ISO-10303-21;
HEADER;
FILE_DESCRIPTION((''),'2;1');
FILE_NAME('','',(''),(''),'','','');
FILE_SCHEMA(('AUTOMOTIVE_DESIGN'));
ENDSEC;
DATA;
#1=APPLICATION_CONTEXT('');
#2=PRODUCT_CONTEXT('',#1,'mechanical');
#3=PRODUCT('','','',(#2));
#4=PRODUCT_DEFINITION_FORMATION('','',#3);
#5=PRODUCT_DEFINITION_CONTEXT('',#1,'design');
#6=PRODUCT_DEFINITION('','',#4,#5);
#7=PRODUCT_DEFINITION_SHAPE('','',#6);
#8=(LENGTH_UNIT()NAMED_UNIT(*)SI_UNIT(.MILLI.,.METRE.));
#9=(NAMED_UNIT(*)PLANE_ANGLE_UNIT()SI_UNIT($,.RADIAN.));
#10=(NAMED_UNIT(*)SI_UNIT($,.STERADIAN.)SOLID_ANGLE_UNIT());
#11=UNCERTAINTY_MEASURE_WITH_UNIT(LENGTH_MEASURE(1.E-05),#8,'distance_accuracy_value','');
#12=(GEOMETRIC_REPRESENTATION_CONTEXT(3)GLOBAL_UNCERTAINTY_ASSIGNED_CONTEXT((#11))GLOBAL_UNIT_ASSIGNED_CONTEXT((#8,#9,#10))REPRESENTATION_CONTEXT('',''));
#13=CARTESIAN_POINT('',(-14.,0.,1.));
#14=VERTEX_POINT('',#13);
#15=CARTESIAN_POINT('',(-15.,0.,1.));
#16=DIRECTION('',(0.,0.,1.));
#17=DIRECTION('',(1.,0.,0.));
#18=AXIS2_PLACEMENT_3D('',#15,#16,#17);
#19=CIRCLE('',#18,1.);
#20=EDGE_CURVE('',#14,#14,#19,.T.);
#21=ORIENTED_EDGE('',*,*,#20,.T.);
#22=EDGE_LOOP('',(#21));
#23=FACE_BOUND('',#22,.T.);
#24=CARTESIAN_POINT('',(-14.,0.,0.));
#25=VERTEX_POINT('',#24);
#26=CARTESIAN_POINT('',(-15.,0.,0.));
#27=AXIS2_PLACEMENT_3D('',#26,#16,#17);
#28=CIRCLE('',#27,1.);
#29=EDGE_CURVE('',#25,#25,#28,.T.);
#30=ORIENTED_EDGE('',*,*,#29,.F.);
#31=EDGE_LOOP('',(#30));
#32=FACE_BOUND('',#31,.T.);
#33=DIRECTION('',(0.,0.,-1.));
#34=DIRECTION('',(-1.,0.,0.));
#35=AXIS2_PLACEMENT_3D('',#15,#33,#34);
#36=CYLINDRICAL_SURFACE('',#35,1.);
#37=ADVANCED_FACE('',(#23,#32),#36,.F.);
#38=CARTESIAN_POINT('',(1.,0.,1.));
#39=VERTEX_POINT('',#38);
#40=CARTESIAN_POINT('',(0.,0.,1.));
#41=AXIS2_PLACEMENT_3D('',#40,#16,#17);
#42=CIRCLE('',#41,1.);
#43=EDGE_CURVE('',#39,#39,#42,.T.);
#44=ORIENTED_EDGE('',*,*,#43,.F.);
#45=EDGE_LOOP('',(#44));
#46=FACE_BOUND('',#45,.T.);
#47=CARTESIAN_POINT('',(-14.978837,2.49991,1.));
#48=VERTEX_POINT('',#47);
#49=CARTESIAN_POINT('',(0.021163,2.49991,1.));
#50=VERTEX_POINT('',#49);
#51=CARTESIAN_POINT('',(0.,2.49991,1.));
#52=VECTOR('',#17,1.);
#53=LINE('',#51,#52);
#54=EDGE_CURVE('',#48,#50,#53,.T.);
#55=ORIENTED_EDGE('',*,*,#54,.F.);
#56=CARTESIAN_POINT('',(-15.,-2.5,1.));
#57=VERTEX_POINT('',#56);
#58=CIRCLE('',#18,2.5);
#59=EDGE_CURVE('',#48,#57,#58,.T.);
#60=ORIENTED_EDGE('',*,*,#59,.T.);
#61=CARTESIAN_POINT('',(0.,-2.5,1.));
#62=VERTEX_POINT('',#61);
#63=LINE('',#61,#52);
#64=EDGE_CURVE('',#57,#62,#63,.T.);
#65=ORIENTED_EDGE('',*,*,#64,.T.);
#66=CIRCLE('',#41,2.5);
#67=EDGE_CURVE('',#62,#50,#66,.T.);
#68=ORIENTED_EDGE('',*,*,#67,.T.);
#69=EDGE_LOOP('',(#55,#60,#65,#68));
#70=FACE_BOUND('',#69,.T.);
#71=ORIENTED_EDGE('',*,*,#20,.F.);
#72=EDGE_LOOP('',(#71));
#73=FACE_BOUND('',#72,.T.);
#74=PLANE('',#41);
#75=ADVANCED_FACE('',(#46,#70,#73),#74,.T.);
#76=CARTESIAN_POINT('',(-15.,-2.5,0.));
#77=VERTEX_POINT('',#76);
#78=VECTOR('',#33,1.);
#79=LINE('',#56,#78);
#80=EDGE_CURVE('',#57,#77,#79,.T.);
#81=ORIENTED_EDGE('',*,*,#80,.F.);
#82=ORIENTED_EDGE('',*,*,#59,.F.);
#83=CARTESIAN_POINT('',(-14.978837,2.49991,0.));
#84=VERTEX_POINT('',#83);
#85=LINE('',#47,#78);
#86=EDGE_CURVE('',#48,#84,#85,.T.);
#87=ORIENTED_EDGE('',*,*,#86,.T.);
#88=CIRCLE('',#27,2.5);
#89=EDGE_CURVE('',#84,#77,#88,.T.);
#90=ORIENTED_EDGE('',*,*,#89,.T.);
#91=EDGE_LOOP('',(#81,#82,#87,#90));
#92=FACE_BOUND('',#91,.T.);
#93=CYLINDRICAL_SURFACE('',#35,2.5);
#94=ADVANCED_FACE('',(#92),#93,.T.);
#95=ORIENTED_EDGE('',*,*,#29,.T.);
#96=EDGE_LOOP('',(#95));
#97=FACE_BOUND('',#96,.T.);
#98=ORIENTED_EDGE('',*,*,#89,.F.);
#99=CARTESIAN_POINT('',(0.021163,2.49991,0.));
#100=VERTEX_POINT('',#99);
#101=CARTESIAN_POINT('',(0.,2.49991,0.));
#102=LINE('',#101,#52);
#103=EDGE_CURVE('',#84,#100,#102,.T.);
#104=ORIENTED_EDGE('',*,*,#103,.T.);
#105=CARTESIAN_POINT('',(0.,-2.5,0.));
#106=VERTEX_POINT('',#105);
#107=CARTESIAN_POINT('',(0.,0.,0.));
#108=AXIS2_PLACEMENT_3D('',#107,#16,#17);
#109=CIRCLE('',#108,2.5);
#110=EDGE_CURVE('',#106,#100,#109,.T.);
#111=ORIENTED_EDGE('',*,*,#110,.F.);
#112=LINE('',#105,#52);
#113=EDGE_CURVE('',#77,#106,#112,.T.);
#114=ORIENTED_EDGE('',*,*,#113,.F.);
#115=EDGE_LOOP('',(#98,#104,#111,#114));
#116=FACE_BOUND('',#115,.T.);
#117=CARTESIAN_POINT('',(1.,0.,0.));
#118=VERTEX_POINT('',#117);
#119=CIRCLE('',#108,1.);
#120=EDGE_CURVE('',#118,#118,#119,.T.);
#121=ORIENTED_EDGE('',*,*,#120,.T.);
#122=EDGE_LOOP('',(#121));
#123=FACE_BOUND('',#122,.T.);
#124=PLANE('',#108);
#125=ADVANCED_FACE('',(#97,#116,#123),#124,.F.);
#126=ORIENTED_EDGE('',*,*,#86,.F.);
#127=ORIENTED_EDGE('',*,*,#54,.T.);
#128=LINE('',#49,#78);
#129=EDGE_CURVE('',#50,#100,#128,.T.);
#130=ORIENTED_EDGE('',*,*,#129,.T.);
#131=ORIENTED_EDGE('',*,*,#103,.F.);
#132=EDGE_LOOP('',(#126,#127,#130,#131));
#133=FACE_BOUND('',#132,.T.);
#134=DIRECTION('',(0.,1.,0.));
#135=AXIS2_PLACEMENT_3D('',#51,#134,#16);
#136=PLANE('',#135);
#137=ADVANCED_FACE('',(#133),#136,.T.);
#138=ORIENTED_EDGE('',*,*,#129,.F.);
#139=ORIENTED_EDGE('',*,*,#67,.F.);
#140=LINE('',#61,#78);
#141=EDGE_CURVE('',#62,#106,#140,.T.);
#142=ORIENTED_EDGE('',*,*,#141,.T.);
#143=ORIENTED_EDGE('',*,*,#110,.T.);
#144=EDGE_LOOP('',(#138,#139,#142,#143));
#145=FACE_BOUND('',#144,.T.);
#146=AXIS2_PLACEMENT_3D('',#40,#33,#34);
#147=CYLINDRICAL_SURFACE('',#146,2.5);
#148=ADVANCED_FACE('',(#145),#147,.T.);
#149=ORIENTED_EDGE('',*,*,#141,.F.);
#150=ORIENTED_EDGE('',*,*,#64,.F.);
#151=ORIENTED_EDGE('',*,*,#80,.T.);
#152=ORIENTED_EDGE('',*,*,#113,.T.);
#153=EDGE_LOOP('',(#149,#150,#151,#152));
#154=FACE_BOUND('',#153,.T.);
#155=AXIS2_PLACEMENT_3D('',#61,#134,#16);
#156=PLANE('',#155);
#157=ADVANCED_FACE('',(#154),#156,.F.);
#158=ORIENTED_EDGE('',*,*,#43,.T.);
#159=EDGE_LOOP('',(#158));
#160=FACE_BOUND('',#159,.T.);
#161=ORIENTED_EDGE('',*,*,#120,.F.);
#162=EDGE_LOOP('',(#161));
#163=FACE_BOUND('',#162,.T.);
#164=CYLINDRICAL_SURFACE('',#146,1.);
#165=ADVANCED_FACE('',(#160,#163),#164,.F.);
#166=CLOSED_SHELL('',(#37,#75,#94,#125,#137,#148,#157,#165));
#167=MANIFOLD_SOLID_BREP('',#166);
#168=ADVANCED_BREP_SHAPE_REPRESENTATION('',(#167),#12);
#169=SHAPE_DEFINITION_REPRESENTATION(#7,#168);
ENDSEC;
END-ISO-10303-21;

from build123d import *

# Parameters (mm, degrees)
SKETCH1_R           = 1
BOSS_EXTRUDE1_DEPTH = 1


with BuildPart() as part:
    # Sketch1 → Boss-Extrude1 (new body)
    with BuildSketch(Plane.XY):
        with BuildLine():
            Line((-0.021163243, 2.499910422), (-14.978836757, 2.499910422))
            ThreePointArc((-14.978836757, 2.499910422), (-17.499977605, 0.010581716), (-15, -2.5))
            Line((-15, -2.5), (0, -2.5))
            ThreePointArc((0, -2.5), (2.499977605, -0.010581716), (0.021163243, 2.499910422))
            Line((0.021163243, 2.499910422), (-0.021163243, 2.499910422))
        make_face()
        with Locations((-15, 0)):
            Circle(SKETCH1_R, mode=Mode.SUBTRACT)
        Circle(SKETCH1_R, mode=Mode.SUBTRACT)
    extrude(amount=BOSS_EXTRUDE1_DEPTH)


solid = part.part
